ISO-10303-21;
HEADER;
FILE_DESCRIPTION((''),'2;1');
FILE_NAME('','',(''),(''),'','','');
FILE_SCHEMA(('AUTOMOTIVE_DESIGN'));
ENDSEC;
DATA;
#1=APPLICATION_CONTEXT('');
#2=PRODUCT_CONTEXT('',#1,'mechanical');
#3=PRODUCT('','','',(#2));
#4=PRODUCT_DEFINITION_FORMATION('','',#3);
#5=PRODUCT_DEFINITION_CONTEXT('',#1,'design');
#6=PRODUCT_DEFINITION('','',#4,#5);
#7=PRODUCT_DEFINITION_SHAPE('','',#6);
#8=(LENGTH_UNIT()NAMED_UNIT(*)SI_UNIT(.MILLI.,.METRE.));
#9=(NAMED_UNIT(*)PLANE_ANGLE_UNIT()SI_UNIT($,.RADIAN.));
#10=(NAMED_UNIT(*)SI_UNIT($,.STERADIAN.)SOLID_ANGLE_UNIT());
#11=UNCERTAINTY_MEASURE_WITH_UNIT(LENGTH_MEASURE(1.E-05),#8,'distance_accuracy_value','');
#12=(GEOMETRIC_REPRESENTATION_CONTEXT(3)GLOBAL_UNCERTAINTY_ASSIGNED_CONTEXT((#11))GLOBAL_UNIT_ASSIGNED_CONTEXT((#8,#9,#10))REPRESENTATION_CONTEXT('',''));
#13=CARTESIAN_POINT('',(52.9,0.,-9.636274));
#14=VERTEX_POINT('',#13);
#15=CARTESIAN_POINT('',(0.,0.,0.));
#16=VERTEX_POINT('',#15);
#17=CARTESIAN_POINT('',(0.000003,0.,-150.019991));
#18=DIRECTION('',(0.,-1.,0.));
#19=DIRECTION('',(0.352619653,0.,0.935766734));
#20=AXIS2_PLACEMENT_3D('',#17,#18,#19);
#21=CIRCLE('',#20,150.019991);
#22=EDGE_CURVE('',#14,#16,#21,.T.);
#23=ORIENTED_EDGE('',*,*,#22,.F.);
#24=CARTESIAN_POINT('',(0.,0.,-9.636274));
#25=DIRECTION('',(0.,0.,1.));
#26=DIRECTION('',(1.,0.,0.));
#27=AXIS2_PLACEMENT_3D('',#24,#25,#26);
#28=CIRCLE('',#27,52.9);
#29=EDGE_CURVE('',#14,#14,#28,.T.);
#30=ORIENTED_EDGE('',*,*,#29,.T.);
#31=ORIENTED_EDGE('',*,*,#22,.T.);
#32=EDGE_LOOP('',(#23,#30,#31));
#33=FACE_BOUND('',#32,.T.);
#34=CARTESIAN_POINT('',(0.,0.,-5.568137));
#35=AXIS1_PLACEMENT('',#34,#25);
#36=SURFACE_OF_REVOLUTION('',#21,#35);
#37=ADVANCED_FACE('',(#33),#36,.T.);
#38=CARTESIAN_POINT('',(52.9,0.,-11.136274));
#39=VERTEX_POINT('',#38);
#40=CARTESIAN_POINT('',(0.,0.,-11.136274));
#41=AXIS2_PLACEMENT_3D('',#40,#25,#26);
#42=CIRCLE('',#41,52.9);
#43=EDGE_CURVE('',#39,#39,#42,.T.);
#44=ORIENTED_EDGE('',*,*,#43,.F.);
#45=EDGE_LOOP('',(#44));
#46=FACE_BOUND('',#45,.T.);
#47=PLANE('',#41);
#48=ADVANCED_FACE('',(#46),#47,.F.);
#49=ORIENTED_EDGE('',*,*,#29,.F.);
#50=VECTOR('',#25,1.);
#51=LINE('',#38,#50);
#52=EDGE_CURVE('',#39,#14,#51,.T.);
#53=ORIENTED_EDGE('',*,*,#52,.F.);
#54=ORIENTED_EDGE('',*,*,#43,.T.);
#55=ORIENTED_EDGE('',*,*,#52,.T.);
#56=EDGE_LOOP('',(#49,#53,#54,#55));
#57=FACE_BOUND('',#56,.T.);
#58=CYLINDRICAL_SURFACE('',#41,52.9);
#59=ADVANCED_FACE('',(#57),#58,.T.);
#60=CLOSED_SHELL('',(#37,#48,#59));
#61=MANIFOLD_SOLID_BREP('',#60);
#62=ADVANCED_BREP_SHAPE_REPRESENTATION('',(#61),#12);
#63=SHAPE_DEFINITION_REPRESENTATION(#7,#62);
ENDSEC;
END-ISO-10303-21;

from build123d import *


with BuildPart() as f1:
    # F0 (on Front) → F1 (revolve)
    with BuildSketch(Plane.XZ):
        with BuildLine():
            Line((52.9, -11.136274), (52.9, -9.636274))
            ThreePointArc((52.9, -9.636274), (26.885255, -2.428728), (0, 0))
            Line((0, 0), (0, -11.136274))
            Line((0, -11.136274), (52.9, -11.136274))
        make_face()
    revolve(axis=Axis((0, 0, -5.568137), (0, 0, 1)))


solid = f1.part
